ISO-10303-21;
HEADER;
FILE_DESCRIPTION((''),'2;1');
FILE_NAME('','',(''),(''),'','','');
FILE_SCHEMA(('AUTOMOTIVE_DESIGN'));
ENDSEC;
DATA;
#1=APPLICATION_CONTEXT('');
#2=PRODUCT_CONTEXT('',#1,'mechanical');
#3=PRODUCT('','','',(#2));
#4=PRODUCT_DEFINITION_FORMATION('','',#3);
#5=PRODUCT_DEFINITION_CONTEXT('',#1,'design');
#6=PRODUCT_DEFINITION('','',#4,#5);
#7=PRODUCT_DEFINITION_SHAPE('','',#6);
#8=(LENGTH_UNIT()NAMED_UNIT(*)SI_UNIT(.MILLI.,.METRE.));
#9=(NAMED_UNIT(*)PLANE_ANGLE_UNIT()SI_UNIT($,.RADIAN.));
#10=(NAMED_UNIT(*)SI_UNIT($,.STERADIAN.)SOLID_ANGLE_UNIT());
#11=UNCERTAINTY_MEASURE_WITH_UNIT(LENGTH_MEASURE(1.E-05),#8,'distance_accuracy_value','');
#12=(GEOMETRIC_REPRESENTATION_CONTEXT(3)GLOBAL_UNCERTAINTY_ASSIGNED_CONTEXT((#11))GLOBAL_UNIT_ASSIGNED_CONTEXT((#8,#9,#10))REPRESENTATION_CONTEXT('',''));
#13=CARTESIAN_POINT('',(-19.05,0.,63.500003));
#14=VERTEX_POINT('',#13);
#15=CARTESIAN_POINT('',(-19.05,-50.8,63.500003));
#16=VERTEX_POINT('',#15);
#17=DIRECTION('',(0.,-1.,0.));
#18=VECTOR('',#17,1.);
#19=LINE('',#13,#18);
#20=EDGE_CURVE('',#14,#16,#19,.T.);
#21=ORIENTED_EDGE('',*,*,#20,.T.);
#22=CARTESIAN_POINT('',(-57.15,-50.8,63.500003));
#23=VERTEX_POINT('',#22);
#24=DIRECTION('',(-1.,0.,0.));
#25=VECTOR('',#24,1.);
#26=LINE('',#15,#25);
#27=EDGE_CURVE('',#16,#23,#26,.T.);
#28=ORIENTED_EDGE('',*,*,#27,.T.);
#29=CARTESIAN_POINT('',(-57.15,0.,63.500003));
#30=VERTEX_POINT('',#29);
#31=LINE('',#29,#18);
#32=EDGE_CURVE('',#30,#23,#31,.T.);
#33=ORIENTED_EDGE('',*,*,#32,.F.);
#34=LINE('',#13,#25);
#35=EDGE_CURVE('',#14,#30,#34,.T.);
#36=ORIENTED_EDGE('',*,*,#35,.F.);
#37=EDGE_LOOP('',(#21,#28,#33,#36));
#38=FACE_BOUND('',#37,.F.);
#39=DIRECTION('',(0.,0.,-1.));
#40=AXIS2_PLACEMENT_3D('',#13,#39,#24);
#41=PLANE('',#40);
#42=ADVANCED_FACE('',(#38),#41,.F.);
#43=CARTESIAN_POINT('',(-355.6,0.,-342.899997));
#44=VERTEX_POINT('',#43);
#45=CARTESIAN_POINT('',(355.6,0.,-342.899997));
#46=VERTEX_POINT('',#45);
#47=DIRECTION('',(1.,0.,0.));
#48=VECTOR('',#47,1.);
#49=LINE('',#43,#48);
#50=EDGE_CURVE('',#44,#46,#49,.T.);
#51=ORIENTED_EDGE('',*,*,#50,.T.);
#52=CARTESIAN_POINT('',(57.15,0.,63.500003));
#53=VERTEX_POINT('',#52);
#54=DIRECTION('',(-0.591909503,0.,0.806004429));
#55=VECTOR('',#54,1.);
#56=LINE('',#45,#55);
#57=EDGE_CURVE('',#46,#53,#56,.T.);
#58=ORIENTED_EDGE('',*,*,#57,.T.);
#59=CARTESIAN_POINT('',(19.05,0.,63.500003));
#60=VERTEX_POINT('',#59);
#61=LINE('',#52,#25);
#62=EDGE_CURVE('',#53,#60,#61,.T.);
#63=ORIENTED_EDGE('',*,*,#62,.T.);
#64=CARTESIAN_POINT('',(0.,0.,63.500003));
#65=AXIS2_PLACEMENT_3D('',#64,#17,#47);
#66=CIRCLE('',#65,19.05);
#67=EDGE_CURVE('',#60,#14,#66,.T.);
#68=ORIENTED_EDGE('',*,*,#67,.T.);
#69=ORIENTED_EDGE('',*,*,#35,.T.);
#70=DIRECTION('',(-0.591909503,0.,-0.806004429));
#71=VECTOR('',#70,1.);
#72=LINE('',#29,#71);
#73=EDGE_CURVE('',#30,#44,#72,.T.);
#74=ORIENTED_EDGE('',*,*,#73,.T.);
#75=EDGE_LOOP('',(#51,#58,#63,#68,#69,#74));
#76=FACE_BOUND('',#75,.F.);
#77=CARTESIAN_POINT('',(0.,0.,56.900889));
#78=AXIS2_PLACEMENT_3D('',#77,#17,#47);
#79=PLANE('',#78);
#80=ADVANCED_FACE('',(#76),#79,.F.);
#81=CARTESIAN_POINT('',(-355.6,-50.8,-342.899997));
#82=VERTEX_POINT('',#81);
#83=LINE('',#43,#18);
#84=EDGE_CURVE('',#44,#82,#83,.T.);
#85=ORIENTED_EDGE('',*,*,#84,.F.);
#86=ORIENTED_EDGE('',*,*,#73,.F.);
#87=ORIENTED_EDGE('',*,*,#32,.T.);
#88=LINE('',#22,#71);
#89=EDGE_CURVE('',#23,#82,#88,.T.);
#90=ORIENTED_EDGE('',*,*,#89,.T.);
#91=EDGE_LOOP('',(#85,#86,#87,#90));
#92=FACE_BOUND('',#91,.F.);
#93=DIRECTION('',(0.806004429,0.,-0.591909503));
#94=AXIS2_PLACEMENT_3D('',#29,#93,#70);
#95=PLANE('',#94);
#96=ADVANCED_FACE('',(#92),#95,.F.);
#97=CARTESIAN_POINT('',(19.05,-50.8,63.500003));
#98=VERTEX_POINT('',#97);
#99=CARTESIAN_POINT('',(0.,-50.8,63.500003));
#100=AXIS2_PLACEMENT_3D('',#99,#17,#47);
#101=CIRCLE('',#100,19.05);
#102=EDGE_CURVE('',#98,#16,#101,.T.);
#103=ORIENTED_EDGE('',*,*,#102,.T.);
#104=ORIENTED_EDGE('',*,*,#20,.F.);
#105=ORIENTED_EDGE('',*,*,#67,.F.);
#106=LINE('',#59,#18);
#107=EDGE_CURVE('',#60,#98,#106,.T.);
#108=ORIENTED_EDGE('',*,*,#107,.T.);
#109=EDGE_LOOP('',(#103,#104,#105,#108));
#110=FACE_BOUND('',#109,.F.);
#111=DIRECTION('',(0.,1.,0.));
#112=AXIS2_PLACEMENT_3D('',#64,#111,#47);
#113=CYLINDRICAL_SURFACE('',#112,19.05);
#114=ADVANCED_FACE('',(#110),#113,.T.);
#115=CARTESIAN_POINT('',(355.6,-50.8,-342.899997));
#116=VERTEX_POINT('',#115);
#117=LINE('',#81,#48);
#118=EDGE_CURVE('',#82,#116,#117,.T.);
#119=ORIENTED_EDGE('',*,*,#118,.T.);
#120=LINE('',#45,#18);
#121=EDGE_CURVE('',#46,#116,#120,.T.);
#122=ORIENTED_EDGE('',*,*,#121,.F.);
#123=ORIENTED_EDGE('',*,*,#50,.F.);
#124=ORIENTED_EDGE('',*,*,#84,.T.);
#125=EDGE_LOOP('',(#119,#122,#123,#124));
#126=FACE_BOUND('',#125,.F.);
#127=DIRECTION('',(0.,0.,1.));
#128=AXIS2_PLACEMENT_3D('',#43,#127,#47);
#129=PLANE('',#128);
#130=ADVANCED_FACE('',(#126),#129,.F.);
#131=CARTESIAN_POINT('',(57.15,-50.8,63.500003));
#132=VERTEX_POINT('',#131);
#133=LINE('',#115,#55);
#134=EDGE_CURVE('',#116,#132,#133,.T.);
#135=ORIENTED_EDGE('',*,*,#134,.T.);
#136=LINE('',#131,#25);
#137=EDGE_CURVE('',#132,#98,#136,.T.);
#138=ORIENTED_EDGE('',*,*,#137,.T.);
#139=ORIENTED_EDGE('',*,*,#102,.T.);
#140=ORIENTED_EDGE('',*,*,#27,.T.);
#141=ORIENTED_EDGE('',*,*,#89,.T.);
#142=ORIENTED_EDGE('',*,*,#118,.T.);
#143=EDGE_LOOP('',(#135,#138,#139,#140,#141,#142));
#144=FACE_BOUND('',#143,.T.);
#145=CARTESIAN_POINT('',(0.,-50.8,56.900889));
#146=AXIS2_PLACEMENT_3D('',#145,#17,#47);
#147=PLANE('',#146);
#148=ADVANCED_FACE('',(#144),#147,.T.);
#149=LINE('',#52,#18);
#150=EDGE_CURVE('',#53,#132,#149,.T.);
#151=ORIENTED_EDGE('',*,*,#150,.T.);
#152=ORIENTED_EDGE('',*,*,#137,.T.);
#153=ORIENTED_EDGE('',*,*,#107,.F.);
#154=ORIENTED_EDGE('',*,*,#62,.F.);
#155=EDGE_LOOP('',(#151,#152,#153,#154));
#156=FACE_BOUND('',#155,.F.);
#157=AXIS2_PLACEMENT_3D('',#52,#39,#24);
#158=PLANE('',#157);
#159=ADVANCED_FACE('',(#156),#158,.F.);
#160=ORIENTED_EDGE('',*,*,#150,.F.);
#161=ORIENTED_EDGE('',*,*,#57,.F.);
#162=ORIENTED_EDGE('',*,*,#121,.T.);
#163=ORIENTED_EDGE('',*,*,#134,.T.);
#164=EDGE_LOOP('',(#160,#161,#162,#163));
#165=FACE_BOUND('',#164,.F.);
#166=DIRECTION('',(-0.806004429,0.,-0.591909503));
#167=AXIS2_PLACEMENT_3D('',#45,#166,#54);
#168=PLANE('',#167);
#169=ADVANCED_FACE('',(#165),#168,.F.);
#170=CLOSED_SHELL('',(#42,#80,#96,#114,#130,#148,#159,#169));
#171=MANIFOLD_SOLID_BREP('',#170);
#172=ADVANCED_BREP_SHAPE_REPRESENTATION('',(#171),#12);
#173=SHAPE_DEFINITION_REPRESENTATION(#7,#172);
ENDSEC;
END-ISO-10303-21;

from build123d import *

# Parameters (mm, degrees)
F1_DEPTH = 50.8


with BuildPart() as f1:
    # F0 (on Front) → F1 (new body)
    with BuildSketch(Plane.XZ):
        with BuildLine():
            Line((19.05, 63.5000025991), (0, 63.5000025991))
            Line((0, 63.5000025991), (-19.05, 63.5000025991))
            ThreePointArc((-19.05, 63.5000025991), (0, 44.4500025991), (19.05, 63.5000025991))
        make_face()
        with BuildLine():
            Line((-19.05, 63.5000025991), (0, 63.5000025991))
            Line((0, 63.5000025991), (19.05, 63.5000025991))
            ThreePointArc((19.05, 63.5000025991), (0, 82.5500025991), (-19.05, 63.5000025991))
        make_face()
        with BuildLine():
            ThreePointArc((19.05, 63.5000025991), (0, 44.4500025991), (-19.05, 63.5000025991))
            Line((-19.05, 63.5000025991), (-57.15, 63.5000025991))
            Line((-57.15, 63.5000025991), (-355.6, -342.8999974009))
            Line((-355.6, -342.8999974009), (0, -342.8999974009))
            Line((0, -342.8999974009), (57.15, -342.8999974009))
            Line((57.15, -342.8999974009), (57.15, 63.5000025991))
            Line((57.15, 63.5000025991), (19.05, 63.5000025991))
        make_face()
        Polygon((355.6, -342.8999974009), (57.15, 63.5000025991), (57.15, -342.8999974009), align=None)
    extrude(amount=F1_DEPTH)


solid = f1.part
